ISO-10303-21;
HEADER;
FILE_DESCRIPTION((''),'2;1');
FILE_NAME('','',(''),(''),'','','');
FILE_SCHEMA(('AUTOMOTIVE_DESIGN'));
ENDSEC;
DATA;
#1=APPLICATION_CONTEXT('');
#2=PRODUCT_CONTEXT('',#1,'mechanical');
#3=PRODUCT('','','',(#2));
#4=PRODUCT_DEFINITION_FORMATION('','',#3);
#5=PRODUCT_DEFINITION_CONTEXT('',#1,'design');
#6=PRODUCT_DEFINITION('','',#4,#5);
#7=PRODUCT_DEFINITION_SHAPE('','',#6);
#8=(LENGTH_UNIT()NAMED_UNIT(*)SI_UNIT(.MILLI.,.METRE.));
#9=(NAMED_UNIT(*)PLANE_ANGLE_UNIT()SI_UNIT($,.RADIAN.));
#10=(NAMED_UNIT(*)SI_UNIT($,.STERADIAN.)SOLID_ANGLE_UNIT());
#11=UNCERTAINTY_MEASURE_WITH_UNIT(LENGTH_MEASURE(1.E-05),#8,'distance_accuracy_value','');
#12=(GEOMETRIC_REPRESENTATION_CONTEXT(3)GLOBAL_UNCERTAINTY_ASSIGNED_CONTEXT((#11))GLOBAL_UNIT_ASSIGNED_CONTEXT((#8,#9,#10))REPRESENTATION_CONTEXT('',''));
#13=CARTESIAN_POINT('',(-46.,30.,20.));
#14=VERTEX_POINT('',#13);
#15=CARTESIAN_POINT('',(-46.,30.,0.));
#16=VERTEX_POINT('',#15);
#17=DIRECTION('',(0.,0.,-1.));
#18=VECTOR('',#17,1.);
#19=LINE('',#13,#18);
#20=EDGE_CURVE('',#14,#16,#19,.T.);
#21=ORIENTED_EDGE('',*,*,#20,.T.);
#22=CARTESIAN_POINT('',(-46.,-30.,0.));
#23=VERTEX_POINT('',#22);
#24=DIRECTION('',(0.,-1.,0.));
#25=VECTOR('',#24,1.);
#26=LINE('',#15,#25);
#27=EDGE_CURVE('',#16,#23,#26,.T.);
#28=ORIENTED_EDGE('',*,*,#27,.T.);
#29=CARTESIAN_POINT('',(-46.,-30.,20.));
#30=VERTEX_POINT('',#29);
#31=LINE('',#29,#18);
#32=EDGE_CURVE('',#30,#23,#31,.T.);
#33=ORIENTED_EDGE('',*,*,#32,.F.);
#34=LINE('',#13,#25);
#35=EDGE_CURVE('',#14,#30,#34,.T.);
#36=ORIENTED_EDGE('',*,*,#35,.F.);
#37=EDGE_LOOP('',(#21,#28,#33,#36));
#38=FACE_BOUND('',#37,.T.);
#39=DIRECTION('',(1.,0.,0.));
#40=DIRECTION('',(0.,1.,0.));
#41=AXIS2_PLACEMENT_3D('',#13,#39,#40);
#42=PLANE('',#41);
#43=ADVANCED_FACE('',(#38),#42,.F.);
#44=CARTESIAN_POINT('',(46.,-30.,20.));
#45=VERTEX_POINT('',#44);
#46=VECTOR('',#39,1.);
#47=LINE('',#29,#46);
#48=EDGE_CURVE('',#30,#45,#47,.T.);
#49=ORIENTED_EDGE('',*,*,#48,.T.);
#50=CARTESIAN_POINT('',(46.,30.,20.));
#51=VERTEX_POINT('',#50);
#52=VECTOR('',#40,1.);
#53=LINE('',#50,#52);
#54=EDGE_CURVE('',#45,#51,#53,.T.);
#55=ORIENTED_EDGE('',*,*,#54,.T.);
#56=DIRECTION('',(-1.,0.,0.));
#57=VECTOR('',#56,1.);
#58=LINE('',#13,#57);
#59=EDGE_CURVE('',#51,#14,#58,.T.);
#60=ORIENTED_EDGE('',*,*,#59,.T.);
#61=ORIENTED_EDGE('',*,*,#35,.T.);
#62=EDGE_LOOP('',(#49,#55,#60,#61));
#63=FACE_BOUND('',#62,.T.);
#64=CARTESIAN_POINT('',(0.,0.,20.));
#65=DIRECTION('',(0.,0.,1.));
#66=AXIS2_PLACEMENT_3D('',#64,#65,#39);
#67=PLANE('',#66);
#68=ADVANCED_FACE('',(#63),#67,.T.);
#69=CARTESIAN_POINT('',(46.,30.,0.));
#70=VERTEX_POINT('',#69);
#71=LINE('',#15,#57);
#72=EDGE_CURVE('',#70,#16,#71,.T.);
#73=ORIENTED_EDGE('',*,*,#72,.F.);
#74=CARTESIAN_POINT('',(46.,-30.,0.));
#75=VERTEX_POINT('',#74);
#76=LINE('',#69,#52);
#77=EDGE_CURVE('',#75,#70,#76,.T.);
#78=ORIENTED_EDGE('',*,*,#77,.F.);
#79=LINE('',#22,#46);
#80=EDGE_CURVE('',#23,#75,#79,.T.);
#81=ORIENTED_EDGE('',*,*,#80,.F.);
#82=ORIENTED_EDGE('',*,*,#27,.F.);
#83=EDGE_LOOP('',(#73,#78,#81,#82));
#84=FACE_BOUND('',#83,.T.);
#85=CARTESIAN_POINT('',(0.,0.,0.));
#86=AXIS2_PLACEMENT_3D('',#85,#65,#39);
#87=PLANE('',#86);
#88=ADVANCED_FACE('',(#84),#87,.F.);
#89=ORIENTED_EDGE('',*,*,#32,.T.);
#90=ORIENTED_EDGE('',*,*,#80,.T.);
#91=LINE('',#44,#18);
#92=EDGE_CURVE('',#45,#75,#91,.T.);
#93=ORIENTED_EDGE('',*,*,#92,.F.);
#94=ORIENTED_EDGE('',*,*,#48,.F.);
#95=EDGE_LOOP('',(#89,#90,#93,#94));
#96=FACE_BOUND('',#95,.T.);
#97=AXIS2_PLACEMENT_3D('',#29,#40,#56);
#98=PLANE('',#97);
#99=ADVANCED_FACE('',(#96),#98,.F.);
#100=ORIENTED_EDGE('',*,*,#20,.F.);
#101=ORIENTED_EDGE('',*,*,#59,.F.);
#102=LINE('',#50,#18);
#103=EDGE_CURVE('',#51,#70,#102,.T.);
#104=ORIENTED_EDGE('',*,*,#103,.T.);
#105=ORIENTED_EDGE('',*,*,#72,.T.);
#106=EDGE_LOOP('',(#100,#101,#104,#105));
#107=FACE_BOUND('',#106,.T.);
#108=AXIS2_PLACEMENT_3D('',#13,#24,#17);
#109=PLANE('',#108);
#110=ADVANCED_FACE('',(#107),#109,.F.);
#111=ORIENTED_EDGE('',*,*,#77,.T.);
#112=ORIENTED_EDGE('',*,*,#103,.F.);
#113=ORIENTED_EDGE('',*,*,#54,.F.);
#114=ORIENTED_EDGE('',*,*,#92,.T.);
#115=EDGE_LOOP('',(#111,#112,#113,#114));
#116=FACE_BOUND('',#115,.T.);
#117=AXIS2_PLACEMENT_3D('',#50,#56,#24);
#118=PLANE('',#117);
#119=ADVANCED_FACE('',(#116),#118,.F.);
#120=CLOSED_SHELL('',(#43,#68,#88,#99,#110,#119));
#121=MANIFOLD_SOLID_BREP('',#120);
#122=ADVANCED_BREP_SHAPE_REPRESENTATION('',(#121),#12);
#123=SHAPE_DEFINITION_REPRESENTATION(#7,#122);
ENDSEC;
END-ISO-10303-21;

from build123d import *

# Parameters (mm, degrees)
ESQUISSE1_W        = 92
ESQUISSE1_H        = 60
BOSS_EXTRU_1_DEPTH = 20


with BuildPart() as part:
    # Esquisse1 → Boss.-Extru.1 (new body)
    with BuildSketch(Plane.XY):
        Rectangle(ESQUISSE1_W, ESQUISSE1_H)
    extrude(amount=BOSS_EXTRU_1_DEPTH)


solid = part.part
